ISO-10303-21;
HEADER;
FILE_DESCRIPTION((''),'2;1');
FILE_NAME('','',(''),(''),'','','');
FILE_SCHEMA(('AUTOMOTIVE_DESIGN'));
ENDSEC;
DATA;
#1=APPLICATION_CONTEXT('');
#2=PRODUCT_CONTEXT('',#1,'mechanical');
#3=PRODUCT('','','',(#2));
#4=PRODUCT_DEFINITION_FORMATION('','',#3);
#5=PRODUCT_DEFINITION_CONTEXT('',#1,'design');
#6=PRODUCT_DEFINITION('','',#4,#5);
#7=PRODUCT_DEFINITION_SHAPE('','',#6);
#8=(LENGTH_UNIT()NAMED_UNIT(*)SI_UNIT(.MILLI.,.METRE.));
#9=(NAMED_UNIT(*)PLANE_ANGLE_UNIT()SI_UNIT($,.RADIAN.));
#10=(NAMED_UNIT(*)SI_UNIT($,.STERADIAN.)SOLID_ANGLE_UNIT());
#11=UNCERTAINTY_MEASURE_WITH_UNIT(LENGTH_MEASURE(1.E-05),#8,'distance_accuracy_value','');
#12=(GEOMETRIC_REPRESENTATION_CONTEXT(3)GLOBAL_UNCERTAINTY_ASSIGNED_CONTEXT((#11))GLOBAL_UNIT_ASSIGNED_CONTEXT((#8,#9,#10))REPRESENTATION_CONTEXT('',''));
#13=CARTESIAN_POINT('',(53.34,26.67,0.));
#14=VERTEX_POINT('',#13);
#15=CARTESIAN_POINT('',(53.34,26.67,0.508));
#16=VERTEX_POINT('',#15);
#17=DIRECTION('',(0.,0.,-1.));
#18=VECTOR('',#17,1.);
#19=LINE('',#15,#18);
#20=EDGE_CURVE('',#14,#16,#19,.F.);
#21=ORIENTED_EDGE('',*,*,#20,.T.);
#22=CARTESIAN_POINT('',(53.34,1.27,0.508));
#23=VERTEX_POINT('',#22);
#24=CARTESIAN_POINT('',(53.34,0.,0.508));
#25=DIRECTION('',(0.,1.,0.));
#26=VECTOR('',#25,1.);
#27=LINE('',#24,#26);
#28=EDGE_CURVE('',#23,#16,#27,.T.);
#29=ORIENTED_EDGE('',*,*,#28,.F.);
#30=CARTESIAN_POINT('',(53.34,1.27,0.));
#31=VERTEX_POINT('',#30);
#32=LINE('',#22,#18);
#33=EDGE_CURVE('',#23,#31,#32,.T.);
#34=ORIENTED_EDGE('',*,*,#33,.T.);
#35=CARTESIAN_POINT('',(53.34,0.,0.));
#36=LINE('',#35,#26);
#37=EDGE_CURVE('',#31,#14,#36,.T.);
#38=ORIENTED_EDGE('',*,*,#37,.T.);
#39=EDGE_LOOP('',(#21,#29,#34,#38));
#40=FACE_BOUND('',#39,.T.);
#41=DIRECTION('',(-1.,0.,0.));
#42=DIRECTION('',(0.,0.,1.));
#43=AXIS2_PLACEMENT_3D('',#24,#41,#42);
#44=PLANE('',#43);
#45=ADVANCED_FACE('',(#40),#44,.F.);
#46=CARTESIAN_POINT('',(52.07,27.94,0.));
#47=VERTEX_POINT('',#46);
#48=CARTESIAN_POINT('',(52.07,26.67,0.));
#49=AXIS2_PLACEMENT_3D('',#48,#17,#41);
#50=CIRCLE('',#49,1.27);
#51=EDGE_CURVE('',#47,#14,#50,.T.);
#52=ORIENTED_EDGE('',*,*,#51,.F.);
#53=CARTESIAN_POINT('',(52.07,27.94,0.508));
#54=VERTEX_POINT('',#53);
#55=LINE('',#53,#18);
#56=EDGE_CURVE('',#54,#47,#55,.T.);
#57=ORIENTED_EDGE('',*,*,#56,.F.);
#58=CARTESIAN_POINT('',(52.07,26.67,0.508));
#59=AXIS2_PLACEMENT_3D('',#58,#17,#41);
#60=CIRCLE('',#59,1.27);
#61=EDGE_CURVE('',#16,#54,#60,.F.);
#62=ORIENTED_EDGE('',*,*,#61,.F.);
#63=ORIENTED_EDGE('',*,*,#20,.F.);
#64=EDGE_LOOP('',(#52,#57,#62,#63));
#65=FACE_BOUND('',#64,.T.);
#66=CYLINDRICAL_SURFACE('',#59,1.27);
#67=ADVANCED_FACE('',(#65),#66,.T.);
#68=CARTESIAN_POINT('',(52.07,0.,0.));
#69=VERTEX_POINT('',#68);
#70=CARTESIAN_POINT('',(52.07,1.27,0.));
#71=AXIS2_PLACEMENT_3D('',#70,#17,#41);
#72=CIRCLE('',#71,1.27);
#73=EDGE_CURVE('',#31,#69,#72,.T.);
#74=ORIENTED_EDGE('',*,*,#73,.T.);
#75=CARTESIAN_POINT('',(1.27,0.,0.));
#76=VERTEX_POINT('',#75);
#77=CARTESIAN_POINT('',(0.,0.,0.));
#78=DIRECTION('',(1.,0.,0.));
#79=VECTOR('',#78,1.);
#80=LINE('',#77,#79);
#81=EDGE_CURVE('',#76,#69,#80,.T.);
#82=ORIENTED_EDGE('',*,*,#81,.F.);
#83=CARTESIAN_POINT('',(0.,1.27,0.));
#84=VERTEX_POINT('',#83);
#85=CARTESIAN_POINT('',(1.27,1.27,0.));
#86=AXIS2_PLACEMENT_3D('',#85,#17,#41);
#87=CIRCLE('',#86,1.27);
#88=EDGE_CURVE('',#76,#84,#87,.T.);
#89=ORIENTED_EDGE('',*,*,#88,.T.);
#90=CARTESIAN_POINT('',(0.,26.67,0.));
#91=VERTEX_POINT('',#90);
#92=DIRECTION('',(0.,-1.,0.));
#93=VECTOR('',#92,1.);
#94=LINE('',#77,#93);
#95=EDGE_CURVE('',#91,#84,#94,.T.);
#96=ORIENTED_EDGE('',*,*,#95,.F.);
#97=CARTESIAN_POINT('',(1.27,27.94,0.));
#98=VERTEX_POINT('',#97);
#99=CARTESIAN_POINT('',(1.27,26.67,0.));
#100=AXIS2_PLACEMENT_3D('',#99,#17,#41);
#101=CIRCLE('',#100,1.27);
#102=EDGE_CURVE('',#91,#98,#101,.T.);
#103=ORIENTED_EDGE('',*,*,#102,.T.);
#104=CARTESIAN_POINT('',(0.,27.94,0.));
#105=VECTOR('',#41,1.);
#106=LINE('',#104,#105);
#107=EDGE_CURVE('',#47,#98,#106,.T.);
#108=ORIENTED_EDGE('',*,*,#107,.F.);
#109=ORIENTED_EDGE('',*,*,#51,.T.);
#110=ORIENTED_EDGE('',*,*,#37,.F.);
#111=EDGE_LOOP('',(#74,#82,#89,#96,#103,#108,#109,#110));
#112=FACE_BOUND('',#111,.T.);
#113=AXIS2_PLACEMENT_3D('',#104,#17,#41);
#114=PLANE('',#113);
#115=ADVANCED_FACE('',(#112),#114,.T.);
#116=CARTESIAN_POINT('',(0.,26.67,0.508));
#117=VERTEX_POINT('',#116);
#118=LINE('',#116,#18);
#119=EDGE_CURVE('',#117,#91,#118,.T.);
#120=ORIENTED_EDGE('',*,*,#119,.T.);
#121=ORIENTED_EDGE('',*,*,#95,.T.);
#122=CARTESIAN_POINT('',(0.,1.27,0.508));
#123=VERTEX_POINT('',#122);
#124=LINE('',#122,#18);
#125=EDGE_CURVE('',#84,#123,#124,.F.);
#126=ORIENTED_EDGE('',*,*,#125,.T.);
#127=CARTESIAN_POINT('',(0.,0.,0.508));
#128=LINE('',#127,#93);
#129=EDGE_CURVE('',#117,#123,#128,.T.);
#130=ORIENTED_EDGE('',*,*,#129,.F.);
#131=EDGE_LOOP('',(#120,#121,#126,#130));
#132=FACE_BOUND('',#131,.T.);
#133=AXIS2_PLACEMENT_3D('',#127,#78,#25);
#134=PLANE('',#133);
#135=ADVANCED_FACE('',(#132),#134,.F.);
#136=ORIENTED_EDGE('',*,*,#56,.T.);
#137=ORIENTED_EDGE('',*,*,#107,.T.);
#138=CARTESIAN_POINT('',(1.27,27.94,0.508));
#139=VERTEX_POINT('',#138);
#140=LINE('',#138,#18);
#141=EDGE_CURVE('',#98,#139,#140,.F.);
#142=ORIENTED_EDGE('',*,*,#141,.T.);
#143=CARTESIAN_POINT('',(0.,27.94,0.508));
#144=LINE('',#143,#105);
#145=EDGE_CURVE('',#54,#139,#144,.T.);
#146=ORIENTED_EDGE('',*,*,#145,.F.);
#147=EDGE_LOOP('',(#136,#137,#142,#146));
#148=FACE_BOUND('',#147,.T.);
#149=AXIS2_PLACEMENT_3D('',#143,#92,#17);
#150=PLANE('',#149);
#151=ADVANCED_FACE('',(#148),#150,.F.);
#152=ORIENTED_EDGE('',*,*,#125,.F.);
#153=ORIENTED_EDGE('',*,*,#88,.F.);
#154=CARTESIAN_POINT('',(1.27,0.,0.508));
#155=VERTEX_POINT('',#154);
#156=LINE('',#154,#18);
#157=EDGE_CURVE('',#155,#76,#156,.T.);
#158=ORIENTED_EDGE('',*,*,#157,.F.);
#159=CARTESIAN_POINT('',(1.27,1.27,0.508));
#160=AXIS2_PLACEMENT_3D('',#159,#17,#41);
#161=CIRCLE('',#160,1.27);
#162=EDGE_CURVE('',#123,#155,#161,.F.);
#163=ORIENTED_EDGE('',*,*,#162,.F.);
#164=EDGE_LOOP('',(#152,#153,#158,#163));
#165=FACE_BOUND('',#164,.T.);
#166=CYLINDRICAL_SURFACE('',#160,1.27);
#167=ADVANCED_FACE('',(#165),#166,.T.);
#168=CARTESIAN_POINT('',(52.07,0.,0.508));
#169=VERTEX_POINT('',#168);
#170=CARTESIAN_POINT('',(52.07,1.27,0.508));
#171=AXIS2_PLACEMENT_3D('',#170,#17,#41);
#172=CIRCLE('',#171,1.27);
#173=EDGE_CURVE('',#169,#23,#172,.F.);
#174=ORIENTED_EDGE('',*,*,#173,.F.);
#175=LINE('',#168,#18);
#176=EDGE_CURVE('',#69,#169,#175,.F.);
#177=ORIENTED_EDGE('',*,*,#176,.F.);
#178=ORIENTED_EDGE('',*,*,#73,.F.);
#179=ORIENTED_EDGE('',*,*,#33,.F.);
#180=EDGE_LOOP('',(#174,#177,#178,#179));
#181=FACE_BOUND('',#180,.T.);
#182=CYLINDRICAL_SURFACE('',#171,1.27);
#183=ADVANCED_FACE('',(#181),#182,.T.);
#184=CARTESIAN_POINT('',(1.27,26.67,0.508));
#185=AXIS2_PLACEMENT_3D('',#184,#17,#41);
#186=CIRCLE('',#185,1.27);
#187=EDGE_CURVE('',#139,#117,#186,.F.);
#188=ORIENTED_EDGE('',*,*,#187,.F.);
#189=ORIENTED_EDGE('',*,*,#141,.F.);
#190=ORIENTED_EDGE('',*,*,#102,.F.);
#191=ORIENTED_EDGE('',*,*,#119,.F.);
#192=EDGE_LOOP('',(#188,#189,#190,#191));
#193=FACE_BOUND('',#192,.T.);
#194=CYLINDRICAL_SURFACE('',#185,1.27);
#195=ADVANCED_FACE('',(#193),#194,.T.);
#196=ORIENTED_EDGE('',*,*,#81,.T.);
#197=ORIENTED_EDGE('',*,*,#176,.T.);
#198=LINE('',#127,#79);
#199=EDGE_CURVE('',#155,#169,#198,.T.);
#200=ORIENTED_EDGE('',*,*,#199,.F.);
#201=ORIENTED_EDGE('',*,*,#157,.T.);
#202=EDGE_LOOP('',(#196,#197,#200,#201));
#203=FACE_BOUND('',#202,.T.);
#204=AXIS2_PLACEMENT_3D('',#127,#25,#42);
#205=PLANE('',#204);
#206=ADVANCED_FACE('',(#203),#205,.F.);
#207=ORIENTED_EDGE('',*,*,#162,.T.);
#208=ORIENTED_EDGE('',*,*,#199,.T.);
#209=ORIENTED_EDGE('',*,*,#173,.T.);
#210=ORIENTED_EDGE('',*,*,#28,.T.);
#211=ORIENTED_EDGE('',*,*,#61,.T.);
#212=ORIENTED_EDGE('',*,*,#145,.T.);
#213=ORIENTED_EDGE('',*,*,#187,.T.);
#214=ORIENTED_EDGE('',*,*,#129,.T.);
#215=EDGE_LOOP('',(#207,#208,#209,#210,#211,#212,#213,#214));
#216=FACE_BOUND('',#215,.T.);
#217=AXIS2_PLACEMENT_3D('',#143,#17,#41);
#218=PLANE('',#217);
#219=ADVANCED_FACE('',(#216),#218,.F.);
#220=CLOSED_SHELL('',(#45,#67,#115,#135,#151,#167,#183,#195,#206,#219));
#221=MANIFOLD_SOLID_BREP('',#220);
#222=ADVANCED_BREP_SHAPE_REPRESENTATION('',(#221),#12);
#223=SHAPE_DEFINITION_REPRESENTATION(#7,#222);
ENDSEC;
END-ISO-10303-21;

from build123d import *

# Parameters (mm, degrees)
SKETCH1_W      = 53.34
SKETCH1_H      = 27.94
EXTRUDE1_DEPTH = 0.508
FILLET1_R      = 1.27


with BuildPart() as part:
    # Sketch1 → Extrude1 (new body)
    with BuildSketch(Plane.XY):
        with Locations((26.67, 13.97)):
            Rectangle(SKETCH1_W, SKETCH1_H)
    extrude(amount=EXTRUDE1_DEPTH)

    # Fillet1
    fillet1_edges = [part.edges().sort_by_distance(p)[0] for p in [
        (0, 27.94, 0.254),
        (53.34, 27.94, 0.254),
        (53.34, 0, 0.254),
        (0, 0, 0.254),
    ]]
    fillet(fillet1_edges, radius=FILLET1_R)


solid = part.part
